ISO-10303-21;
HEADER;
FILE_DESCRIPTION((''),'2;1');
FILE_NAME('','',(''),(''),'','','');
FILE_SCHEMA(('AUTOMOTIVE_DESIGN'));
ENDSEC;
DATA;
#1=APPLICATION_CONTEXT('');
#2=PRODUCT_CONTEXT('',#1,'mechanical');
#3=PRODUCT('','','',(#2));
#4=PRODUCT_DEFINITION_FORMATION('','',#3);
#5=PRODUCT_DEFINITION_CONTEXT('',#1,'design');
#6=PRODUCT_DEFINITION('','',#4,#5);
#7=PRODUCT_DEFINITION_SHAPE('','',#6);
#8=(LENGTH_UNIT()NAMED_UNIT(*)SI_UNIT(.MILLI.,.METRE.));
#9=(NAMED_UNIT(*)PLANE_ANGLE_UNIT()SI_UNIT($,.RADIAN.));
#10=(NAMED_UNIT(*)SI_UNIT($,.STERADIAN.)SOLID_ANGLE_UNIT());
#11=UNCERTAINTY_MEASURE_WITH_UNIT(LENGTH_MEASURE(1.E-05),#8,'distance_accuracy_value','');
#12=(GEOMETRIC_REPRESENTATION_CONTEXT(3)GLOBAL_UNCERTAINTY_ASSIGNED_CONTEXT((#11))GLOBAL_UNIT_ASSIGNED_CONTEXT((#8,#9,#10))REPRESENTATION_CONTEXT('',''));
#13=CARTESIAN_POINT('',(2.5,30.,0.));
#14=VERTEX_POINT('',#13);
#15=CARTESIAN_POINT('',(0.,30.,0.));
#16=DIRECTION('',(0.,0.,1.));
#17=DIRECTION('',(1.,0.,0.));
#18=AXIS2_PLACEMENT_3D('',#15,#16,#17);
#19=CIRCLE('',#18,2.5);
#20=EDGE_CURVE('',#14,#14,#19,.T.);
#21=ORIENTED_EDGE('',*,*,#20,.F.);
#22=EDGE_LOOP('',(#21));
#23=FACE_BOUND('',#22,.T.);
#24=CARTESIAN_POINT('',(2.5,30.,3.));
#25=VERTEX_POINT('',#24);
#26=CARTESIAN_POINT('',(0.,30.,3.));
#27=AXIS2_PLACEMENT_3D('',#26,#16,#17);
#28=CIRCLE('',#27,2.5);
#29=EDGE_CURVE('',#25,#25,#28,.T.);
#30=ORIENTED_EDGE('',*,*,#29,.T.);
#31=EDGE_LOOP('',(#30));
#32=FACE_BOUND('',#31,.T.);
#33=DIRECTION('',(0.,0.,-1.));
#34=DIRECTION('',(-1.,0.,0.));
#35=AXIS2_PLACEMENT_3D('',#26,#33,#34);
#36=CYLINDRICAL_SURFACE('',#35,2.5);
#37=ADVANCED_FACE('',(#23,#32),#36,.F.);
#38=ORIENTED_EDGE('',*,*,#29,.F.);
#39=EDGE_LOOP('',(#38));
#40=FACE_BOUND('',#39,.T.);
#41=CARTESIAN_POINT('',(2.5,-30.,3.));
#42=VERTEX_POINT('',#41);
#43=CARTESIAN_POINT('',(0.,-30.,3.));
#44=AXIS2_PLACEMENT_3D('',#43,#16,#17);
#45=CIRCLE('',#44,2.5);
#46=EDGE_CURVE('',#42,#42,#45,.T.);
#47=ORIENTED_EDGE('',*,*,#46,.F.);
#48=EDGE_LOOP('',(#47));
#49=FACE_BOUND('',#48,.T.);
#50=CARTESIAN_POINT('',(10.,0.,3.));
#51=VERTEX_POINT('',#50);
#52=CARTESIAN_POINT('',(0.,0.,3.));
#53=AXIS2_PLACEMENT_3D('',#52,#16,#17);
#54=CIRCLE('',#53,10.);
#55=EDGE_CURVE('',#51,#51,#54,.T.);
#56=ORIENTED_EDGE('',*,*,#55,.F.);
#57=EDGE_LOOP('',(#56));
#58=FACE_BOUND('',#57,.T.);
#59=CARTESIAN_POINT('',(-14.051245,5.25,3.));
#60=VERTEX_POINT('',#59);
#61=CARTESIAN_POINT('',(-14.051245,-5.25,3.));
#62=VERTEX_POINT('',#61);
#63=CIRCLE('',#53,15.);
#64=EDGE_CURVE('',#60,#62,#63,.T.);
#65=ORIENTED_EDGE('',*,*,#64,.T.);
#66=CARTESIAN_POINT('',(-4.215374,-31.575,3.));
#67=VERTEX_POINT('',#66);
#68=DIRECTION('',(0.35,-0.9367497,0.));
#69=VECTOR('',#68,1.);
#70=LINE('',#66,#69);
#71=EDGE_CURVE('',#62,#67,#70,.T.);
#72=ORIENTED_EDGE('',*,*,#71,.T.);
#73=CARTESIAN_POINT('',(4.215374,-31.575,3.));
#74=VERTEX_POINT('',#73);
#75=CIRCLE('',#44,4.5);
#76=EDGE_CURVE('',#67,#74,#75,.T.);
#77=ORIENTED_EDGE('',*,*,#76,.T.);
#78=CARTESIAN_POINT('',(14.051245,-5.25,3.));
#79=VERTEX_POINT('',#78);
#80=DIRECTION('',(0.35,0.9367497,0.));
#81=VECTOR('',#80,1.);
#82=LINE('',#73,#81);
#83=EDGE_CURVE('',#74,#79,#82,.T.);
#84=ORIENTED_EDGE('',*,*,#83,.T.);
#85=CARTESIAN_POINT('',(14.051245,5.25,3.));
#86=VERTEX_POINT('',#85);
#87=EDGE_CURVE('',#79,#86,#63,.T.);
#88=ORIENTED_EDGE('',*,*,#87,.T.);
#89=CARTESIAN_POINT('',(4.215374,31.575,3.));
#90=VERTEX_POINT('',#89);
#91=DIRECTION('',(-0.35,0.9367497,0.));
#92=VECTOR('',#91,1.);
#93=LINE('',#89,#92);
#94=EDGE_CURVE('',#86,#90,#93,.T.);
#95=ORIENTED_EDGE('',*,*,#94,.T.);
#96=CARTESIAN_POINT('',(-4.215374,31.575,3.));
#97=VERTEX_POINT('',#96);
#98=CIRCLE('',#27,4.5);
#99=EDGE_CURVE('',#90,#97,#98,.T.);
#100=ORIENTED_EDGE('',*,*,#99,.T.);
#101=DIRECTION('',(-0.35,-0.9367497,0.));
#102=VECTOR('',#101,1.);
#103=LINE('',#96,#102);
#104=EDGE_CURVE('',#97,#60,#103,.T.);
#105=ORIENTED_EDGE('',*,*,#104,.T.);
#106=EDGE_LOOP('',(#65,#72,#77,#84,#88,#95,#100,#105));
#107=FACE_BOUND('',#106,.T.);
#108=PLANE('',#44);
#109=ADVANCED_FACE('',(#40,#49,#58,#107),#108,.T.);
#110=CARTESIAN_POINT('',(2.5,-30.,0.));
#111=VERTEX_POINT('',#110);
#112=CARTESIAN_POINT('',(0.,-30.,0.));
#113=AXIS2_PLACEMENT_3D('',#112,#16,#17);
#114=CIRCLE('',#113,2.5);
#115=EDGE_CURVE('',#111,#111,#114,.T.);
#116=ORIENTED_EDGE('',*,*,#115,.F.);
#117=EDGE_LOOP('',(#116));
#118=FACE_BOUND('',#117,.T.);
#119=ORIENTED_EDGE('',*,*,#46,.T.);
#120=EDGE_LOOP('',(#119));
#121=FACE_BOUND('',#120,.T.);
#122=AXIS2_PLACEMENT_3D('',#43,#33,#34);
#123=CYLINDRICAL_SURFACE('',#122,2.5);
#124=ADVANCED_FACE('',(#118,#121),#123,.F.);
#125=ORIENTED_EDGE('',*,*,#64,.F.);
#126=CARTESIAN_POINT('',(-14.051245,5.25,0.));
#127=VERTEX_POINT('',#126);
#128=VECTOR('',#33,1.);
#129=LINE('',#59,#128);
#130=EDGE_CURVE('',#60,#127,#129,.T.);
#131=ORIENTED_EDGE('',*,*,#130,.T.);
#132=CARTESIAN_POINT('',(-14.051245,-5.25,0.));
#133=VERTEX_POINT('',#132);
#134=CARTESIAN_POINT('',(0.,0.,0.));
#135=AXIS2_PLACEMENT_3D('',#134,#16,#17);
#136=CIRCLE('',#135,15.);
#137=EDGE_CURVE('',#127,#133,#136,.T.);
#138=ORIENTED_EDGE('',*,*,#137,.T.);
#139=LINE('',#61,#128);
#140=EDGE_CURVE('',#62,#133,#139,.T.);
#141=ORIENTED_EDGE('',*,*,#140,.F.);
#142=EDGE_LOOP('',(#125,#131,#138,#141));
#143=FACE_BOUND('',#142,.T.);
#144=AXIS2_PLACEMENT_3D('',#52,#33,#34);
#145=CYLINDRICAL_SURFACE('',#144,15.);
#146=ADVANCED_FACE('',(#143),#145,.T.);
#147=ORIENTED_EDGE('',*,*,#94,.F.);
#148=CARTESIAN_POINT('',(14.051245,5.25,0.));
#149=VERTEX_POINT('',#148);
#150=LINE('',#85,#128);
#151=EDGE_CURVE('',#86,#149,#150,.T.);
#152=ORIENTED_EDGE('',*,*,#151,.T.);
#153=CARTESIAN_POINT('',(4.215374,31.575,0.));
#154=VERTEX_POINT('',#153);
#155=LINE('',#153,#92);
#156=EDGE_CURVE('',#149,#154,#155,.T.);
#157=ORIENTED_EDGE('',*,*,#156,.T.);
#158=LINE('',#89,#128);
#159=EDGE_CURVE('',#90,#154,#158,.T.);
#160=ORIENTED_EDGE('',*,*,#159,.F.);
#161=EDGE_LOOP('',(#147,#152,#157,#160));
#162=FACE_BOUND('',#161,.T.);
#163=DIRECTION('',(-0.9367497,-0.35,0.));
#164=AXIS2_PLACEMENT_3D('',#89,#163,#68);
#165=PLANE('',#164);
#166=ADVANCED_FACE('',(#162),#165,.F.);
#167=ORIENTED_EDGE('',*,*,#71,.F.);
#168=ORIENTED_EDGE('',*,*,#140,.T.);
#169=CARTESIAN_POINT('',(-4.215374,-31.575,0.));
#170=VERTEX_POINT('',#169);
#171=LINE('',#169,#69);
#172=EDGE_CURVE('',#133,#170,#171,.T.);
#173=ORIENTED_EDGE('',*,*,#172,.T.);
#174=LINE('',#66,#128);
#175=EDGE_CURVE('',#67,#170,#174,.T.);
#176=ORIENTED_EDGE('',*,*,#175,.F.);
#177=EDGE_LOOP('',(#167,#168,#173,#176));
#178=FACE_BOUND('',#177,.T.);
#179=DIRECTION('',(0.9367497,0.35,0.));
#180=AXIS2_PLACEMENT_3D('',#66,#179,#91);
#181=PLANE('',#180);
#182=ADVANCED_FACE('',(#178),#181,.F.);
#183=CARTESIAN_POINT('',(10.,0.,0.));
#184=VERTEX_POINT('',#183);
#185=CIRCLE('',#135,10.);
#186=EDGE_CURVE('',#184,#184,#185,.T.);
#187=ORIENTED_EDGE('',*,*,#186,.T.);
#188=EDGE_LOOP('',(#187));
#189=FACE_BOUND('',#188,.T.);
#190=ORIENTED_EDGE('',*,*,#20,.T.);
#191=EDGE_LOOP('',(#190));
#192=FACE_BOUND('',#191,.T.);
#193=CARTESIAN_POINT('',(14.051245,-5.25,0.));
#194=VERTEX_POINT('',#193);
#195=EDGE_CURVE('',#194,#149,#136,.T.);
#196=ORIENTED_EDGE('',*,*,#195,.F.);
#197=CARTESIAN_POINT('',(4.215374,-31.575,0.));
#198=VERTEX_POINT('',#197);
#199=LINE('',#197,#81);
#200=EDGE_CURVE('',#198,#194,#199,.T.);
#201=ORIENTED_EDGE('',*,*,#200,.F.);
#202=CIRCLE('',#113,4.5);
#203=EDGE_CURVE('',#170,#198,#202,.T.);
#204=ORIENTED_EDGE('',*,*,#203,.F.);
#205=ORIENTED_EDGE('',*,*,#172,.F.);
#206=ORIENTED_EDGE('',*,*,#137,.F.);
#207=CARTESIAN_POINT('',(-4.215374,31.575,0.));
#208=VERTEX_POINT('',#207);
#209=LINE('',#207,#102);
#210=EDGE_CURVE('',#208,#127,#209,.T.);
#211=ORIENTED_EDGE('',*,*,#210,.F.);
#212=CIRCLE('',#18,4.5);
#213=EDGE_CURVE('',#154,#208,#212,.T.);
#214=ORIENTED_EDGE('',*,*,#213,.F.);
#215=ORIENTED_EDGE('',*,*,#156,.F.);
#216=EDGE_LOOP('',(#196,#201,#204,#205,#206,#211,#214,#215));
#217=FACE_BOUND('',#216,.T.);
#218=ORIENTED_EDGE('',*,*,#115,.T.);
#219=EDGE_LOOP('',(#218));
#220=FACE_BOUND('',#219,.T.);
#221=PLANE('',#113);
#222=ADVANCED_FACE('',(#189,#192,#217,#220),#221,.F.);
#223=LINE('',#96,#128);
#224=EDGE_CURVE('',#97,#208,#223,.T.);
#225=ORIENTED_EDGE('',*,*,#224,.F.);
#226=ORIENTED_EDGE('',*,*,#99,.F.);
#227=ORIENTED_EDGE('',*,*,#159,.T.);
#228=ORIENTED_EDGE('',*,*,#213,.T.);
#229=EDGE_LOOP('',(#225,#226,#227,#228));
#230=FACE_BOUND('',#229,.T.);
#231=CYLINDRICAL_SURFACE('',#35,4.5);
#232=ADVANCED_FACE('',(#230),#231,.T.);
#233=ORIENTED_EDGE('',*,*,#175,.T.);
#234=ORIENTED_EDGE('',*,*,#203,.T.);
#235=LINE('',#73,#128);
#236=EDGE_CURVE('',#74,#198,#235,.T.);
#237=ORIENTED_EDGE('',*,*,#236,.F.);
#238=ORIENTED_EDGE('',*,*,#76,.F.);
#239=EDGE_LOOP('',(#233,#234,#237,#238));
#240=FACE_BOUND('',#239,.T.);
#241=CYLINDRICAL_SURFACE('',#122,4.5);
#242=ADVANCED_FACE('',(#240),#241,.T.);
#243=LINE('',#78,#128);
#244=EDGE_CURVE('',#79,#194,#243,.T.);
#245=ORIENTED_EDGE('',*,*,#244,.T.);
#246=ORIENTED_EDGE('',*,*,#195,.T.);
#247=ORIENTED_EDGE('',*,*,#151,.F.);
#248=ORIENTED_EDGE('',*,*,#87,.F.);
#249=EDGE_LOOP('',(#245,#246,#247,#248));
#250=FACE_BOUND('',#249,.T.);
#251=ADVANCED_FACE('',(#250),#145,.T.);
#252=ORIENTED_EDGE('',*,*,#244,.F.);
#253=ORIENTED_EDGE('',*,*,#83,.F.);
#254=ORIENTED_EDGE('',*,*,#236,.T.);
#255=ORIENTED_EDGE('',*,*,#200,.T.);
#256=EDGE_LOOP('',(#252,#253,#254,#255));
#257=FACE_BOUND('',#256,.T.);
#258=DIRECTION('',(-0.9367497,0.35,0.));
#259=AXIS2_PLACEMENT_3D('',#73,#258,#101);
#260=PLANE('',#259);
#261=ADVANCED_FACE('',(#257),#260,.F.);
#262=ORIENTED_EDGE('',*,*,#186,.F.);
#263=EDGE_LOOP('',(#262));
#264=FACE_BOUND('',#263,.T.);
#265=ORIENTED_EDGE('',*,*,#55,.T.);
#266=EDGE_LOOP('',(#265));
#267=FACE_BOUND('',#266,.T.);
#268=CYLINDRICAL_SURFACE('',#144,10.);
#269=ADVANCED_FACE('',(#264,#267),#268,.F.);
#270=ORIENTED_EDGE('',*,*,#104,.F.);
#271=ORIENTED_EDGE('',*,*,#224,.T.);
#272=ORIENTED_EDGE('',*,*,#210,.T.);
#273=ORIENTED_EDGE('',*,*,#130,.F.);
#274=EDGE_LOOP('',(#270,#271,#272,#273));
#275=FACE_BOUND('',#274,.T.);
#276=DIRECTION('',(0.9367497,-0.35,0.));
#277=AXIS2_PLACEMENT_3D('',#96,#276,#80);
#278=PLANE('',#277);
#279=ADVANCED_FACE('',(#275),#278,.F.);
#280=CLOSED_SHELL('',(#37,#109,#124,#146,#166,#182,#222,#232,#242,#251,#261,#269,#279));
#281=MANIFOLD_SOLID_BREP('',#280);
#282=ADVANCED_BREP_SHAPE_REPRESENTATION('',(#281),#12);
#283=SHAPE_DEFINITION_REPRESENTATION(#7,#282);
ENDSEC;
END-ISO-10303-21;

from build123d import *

# Parameters (mm, degrees)
SKETCH_1_R      = 2.5
SKETCH_1_R_2    = 10
EXTRUDE_1_DEPTH = 3


with BuildPart() as part:
    # 草图1 → 凸台-拉伸1 (new body)
    with BuildSketch(Plane.XY):
        with BuildLine():
            Line((-4.215373649, 31.575), (-14.051245496, 5.25))
            ThreePointArc((-14.051245496, 5.25), (-15, 0), (-14.051245496, -5.25))
            Line((-14.051245496, -5.25), (-4.215373649, -31.575))
            ThreePointArc((-4.215373649, -31.575), (0, -34.5), (4.215373649, -31.575))
            Line((4.215373649, -31.575), (14.051245496, -5.25))
            ThreePointArc((14.051245496, -5.25), (15, 0), (14.051245496, 5.25))
            Line((14.051245496, 5.25), (4.215373649, 31.575))
            ThreePointArc((4.215373649, 31.575), (0, 34.5), (-4.215373649, 31.575))
        make_face()
        with Locations((0, 30)):
            Circle(SKETCH_1_R, mode=Mode.SUBTRACT)
        with Locations((0, -30)):
            Circle(SKETCH_1_R, mode=Mode.SUBTRACT)
        Circle(SKETCH_1_R_2, mode=Mode.SUBTRACT)
    extrude(amount=EXTRUDE_1_DEPTH)


solid = part.part
